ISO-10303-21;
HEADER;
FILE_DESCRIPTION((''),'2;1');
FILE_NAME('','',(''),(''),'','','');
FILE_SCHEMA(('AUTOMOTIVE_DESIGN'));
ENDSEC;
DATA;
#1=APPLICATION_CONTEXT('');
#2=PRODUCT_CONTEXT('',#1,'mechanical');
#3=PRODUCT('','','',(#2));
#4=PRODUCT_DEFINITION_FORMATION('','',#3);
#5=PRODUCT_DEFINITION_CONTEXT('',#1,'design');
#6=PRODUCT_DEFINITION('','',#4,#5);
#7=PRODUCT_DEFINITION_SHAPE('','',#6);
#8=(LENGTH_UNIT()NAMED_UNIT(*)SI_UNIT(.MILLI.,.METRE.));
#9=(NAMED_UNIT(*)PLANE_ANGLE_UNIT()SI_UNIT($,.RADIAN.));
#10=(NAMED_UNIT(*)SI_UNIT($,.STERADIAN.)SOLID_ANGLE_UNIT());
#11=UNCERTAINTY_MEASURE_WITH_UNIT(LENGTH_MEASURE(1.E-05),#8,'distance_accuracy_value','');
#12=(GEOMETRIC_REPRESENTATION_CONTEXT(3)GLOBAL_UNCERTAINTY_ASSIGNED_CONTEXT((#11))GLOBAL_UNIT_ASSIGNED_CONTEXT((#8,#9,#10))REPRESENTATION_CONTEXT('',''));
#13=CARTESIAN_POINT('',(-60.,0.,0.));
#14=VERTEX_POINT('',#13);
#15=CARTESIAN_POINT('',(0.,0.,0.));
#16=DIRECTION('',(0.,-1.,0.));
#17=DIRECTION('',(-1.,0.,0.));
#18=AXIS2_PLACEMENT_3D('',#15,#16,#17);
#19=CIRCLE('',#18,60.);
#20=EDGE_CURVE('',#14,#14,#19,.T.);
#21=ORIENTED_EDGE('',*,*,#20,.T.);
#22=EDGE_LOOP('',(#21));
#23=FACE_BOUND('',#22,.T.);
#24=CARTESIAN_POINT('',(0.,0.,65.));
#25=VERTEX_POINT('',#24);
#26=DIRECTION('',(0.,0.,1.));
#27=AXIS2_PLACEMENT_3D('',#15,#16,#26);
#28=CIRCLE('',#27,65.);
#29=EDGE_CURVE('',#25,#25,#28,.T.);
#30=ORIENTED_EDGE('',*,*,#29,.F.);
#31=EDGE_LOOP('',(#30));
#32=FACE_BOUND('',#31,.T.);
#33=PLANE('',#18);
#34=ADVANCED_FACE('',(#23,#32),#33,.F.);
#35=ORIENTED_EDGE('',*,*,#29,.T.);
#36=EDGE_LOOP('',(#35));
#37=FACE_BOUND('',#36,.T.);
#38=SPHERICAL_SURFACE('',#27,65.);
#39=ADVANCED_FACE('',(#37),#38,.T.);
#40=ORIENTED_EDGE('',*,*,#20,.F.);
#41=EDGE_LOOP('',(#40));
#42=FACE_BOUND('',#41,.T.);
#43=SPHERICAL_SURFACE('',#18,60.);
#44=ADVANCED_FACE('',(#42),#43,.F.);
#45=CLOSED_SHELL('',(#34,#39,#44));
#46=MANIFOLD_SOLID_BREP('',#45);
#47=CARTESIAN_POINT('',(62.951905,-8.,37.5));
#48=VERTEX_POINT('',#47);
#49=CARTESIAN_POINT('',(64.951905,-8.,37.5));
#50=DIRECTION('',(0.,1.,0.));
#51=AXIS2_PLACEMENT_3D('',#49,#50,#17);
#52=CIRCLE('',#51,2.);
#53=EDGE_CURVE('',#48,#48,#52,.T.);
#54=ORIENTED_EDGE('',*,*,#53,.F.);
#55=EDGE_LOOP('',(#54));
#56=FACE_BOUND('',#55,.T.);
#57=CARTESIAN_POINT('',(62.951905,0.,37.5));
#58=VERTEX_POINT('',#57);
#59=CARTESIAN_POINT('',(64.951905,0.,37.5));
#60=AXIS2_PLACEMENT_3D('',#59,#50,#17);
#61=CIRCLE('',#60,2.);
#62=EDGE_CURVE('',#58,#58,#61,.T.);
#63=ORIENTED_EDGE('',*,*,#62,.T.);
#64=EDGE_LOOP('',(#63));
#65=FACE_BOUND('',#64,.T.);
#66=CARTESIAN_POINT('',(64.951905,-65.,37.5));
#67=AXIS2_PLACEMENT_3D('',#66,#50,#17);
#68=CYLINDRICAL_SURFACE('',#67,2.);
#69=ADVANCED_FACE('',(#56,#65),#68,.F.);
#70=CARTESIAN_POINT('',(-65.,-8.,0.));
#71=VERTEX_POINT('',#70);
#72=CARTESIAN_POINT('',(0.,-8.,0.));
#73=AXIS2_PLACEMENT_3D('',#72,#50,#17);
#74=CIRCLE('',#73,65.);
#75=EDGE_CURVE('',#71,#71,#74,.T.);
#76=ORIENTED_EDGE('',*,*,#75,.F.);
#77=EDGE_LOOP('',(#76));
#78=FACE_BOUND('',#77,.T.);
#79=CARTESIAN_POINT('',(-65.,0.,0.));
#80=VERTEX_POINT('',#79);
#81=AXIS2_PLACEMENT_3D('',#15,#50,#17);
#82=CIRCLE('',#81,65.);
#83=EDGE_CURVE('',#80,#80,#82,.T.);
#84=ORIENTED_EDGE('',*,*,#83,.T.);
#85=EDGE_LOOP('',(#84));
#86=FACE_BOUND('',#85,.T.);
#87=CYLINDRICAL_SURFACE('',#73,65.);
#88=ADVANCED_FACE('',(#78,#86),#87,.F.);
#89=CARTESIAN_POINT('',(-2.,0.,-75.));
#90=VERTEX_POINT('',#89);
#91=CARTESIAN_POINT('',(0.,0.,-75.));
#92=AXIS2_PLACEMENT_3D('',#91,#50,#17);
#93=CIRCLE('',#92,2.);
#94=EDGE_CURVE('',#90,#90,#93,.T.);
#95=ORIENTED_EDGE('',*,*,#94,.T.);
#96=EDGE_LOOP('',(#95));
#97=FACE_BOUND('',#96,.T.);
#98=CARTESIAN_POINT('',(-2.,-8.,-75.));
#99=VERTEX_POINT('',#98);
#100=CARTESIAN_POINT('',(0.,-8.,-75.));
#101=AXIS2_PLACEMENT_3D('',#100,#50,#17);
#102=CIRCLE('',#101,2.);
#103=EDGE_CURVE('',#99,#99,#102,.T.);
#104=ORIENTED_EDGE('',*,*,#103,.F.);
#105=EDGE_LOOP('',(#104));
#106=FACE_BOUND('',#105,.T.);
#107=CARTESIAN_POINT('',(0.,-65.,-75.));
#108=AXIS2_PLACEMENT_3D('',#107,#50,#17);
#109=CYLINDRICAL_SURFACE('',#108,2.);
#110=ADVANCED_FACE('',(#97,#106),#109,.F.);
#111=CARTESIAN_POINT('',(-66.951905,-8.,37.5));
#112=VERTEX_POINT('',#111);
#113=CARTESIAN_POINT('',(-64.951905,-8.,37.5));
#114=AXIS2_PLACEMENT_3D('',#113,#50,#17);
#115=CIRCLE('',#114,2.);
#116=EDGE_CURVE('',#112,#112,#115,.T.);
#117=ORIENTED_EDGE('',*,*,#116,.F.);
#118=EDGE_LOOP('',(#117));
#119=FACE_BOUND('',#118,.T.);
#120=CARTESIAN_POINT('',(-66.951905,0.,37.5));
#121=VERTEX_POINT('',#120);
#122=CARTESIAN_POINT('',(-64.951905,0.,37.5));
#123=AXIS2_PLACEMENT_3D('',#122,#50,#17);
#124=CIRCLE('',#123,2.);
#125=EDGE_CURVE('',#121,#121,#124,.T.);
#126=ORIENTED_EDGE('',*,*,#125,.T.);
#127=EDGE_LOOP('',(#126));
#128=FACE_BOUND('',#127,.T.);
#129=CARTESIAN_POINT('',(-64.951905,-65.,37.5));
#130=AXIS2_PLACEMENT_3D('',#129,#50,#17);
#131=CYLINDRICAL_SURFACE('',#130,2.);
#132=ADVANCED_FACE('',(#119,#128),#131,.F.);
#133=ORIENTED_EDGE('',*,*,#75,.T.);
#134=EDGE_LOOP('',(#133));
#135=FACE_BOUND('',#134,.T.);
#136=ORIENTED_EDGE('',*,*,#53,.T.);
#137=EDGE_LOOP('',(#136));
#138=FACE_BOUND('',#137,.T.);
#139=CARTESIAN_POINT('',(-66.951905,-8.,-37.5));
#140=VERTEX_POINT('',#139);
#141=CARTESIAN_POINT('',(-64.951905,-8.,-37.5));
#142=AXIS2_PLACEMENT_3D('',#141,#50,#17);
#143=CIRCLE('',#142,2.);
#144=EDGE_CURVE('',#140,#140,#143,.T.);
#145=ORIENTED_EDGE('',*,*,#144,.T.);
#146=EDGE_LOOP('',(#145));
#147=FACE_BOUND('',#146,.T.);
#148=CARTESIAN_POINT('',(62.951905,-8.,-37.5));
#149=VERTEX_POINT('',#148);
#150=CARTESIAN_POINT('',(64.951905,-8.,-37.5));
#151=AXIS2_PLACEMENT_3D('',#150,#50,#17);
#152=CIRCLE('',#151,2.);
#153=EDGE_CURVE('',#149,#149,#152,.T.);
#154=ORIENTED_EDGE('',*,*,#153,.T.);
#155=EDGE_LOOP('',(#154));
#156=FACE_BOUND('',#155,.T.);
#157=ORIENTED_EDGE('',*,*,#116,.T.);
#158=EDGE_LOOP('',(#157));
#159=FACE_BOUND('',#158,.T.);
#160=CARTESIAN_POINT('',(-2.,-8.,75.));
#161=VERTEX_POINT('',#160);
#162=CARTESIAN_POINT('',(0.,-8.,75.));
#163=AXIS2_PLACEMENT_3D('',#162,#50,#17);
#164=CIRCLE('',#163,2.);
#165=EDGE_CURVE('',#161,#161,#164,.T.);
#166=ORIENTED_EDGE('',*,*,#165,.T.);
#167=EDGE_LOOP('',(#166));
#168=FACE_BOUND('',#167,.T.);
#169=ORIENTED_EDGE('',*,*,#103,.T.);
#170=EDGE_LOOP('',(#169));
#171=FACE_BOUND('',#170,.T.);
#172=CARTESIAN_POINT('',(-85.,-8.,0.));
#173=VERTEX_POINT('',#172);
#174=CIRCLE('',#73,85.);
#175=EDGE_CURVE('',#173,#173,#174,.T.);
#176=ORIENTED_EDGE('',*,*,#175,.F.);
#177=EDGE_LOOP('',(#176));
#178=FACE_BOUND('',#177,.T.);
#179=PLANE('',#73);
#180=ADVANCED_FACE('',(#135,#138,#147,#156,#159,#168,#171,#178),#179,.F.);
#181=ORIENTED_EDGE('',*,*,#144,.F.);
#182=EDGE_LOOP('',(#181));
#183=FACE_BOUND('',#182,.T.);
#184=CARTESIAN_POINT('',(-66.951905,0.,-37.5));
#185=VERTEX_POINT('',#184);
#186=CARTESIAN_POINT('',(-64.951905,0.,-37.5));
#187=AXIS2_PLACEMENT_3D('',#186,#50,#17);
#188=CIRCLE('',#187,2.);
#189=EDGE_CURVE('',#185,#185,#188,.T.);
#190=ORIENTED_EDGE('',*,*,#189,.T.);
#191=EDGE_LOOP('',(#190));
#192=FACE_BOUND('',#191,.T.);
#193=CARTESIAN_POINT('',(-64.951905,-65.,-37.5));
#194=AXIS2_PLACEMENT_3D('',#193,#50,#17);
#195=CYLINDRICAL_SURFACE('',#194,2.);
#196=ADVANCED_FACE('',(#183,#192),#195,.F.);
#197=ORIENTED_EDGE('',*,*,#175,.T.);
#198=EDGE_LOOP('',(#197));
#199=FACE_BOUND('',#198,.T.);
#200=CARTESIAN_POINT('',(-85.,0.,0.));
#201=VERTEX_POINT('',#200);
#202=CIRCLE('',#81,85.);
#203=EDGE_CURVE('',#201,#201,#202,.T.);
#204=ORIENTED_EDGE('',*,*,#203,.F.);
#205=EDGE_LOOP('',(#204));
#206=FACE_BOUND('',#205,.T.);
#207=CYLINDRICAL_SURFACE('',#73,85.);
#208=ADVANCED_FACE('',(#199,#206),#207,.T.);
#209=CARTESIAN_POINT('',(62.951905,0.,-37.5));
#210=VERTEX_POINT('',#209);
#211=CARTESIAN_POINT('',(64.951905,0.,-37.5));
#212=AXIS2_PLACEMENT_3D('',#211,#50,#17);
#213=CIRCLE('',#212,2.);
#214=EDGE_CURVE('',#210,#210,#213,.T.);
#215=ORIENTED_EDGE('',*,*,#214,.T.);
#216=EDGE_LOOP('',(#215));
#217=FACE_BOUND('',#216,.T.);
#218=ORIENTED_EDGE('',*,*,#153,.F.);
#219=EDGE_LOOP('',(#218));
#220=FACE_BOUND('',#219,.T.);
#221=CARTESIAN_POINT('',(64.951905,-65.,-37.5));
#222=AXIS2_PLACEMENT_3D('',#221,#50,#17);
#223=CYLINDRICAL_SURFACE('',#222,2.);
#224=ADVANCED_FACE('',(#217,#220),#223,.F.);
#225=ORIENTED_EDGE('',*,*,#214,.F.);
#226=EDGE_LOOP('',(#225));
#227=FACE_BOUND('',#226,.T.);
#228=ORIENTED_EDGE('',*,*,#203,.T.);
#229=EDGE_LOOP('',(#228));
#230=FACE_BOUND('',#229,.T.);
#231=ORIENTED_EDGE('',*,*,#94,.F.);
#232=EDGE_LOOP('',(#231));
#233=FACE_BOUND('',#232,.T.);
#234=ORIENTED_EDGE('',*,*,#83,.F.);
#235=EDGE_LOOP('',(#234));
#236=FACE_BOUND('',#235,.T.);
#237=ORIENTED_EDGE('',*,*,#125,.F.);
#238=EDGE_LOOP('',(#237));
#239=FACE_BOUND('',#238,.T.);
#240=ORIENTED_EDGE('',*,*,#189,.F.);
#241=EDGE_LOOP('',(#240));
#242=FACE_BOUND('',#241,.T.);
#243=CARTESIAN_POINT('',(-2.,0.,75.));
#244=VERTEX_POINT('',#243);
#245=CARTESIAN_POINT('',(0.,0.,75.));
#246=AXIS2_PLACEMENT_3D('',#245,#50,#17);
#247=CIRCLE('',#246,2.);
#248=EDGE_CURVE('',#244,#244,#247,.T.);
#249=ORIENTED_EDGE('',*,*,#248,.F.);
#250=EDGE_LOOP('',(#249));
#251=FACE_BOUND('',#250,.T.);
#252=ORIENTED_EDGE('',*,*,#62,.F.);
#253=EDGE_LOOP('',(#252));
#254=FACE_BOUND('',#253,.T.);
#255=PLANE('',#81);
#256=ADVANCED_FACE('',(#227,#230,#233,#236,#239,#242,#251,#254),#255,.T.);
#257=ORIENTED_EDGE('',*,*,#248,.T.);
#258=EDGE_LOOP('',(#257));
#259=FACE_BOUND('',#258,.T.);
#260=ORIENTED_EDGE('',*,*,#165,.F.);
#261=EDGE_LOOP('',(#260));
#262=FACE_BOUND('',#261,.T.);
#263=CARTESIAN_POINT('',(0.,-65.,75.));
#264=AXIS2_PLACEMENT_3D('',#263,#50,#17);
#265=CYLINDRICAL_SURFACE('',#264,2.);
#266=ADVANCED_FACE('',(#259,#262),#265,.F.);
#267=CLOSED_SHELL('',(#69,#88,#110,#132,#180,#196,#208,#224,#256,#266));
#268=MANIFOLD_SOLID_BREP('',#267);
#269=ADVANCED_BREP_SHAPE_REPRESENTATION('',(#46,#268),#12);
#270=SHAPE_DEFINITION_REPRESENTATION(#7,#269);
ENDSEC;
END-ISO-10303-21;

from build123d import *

# Parameters (mm, degrees)
REVOLVE_14_ANGLE    = 180
SKETCH_3_R          = 85
SKETCH_3_R_2        = 65
EXTRUDE_1_DEPTH     = 8
SKETCH_4_R          = 2
CUT_EXTRUDE_2_DEPTH = 66


with BuildPart() as part:
    # 草图1 → 旋转-薄壁14 (revolve)
    with BuildSketch(Plane(origin=(0, 0, 0), x_dir=(1, 0, 0), z_dir=(0, 1, 0))):
        with BuildLine():
            ThreePointArc((0, -65), (65, 0), (0, 65))
            Line((0, 65), (0, 60))
            ThreePointArc((0, 60), (60, 0), (0, -60))
            Line((0, -60), (0, -65))
        make_face()
    revolve(axis=Axis((0, 0, 65), (0, 0, -1)), revolution_arc=REVOLVE_14_ANGLE)


with BuildPart() as body_2:
    # 草图3 → 凸台-拉伸1 (new body)
    with BuildSketch(Plane(origin=(0, 0, 0), x_dir=(1, 0, 0), z_dir=(0, 1, 0))):
        Circle(SKETCH_3_R)
        Circle(SKETCH_3_R_2, mode=Mode.SUBTRACT)
    extrude(amount=-EXTRUDE_1_DEPTH)

    # 草图4 → 切除-拉伸2 (cut, through all)
    with BuildSketch(Plane(origin=(0, 0, 0), x_dir=(1, 0, 0), z_dir=(0, 1, 0))):
        with Locations((0, 75)):
            Circle(SKETCH_4_R)
        with Locations((64.951905284, 37.5)):
            Circle(SKETCH_4_R)
        with Locations((64.951905284, -37.5)):
            Circle(SKETCH_4_R)
        with Locations((0, -75)):
            Circle(SKETCH_4_R)
        with Locations((-64.951905284, -37.5)):
            Circle(SKETCH_4_R)
        with Locations((-64.951905284, 37.5)):
            Circle(SKETCH_4_R)
    extrude(amount=-CUT_EXTRUDE_2_DEPTH, mode=Mode.SUBTRACT)


solid = Compound([part.part, body_2.part])
